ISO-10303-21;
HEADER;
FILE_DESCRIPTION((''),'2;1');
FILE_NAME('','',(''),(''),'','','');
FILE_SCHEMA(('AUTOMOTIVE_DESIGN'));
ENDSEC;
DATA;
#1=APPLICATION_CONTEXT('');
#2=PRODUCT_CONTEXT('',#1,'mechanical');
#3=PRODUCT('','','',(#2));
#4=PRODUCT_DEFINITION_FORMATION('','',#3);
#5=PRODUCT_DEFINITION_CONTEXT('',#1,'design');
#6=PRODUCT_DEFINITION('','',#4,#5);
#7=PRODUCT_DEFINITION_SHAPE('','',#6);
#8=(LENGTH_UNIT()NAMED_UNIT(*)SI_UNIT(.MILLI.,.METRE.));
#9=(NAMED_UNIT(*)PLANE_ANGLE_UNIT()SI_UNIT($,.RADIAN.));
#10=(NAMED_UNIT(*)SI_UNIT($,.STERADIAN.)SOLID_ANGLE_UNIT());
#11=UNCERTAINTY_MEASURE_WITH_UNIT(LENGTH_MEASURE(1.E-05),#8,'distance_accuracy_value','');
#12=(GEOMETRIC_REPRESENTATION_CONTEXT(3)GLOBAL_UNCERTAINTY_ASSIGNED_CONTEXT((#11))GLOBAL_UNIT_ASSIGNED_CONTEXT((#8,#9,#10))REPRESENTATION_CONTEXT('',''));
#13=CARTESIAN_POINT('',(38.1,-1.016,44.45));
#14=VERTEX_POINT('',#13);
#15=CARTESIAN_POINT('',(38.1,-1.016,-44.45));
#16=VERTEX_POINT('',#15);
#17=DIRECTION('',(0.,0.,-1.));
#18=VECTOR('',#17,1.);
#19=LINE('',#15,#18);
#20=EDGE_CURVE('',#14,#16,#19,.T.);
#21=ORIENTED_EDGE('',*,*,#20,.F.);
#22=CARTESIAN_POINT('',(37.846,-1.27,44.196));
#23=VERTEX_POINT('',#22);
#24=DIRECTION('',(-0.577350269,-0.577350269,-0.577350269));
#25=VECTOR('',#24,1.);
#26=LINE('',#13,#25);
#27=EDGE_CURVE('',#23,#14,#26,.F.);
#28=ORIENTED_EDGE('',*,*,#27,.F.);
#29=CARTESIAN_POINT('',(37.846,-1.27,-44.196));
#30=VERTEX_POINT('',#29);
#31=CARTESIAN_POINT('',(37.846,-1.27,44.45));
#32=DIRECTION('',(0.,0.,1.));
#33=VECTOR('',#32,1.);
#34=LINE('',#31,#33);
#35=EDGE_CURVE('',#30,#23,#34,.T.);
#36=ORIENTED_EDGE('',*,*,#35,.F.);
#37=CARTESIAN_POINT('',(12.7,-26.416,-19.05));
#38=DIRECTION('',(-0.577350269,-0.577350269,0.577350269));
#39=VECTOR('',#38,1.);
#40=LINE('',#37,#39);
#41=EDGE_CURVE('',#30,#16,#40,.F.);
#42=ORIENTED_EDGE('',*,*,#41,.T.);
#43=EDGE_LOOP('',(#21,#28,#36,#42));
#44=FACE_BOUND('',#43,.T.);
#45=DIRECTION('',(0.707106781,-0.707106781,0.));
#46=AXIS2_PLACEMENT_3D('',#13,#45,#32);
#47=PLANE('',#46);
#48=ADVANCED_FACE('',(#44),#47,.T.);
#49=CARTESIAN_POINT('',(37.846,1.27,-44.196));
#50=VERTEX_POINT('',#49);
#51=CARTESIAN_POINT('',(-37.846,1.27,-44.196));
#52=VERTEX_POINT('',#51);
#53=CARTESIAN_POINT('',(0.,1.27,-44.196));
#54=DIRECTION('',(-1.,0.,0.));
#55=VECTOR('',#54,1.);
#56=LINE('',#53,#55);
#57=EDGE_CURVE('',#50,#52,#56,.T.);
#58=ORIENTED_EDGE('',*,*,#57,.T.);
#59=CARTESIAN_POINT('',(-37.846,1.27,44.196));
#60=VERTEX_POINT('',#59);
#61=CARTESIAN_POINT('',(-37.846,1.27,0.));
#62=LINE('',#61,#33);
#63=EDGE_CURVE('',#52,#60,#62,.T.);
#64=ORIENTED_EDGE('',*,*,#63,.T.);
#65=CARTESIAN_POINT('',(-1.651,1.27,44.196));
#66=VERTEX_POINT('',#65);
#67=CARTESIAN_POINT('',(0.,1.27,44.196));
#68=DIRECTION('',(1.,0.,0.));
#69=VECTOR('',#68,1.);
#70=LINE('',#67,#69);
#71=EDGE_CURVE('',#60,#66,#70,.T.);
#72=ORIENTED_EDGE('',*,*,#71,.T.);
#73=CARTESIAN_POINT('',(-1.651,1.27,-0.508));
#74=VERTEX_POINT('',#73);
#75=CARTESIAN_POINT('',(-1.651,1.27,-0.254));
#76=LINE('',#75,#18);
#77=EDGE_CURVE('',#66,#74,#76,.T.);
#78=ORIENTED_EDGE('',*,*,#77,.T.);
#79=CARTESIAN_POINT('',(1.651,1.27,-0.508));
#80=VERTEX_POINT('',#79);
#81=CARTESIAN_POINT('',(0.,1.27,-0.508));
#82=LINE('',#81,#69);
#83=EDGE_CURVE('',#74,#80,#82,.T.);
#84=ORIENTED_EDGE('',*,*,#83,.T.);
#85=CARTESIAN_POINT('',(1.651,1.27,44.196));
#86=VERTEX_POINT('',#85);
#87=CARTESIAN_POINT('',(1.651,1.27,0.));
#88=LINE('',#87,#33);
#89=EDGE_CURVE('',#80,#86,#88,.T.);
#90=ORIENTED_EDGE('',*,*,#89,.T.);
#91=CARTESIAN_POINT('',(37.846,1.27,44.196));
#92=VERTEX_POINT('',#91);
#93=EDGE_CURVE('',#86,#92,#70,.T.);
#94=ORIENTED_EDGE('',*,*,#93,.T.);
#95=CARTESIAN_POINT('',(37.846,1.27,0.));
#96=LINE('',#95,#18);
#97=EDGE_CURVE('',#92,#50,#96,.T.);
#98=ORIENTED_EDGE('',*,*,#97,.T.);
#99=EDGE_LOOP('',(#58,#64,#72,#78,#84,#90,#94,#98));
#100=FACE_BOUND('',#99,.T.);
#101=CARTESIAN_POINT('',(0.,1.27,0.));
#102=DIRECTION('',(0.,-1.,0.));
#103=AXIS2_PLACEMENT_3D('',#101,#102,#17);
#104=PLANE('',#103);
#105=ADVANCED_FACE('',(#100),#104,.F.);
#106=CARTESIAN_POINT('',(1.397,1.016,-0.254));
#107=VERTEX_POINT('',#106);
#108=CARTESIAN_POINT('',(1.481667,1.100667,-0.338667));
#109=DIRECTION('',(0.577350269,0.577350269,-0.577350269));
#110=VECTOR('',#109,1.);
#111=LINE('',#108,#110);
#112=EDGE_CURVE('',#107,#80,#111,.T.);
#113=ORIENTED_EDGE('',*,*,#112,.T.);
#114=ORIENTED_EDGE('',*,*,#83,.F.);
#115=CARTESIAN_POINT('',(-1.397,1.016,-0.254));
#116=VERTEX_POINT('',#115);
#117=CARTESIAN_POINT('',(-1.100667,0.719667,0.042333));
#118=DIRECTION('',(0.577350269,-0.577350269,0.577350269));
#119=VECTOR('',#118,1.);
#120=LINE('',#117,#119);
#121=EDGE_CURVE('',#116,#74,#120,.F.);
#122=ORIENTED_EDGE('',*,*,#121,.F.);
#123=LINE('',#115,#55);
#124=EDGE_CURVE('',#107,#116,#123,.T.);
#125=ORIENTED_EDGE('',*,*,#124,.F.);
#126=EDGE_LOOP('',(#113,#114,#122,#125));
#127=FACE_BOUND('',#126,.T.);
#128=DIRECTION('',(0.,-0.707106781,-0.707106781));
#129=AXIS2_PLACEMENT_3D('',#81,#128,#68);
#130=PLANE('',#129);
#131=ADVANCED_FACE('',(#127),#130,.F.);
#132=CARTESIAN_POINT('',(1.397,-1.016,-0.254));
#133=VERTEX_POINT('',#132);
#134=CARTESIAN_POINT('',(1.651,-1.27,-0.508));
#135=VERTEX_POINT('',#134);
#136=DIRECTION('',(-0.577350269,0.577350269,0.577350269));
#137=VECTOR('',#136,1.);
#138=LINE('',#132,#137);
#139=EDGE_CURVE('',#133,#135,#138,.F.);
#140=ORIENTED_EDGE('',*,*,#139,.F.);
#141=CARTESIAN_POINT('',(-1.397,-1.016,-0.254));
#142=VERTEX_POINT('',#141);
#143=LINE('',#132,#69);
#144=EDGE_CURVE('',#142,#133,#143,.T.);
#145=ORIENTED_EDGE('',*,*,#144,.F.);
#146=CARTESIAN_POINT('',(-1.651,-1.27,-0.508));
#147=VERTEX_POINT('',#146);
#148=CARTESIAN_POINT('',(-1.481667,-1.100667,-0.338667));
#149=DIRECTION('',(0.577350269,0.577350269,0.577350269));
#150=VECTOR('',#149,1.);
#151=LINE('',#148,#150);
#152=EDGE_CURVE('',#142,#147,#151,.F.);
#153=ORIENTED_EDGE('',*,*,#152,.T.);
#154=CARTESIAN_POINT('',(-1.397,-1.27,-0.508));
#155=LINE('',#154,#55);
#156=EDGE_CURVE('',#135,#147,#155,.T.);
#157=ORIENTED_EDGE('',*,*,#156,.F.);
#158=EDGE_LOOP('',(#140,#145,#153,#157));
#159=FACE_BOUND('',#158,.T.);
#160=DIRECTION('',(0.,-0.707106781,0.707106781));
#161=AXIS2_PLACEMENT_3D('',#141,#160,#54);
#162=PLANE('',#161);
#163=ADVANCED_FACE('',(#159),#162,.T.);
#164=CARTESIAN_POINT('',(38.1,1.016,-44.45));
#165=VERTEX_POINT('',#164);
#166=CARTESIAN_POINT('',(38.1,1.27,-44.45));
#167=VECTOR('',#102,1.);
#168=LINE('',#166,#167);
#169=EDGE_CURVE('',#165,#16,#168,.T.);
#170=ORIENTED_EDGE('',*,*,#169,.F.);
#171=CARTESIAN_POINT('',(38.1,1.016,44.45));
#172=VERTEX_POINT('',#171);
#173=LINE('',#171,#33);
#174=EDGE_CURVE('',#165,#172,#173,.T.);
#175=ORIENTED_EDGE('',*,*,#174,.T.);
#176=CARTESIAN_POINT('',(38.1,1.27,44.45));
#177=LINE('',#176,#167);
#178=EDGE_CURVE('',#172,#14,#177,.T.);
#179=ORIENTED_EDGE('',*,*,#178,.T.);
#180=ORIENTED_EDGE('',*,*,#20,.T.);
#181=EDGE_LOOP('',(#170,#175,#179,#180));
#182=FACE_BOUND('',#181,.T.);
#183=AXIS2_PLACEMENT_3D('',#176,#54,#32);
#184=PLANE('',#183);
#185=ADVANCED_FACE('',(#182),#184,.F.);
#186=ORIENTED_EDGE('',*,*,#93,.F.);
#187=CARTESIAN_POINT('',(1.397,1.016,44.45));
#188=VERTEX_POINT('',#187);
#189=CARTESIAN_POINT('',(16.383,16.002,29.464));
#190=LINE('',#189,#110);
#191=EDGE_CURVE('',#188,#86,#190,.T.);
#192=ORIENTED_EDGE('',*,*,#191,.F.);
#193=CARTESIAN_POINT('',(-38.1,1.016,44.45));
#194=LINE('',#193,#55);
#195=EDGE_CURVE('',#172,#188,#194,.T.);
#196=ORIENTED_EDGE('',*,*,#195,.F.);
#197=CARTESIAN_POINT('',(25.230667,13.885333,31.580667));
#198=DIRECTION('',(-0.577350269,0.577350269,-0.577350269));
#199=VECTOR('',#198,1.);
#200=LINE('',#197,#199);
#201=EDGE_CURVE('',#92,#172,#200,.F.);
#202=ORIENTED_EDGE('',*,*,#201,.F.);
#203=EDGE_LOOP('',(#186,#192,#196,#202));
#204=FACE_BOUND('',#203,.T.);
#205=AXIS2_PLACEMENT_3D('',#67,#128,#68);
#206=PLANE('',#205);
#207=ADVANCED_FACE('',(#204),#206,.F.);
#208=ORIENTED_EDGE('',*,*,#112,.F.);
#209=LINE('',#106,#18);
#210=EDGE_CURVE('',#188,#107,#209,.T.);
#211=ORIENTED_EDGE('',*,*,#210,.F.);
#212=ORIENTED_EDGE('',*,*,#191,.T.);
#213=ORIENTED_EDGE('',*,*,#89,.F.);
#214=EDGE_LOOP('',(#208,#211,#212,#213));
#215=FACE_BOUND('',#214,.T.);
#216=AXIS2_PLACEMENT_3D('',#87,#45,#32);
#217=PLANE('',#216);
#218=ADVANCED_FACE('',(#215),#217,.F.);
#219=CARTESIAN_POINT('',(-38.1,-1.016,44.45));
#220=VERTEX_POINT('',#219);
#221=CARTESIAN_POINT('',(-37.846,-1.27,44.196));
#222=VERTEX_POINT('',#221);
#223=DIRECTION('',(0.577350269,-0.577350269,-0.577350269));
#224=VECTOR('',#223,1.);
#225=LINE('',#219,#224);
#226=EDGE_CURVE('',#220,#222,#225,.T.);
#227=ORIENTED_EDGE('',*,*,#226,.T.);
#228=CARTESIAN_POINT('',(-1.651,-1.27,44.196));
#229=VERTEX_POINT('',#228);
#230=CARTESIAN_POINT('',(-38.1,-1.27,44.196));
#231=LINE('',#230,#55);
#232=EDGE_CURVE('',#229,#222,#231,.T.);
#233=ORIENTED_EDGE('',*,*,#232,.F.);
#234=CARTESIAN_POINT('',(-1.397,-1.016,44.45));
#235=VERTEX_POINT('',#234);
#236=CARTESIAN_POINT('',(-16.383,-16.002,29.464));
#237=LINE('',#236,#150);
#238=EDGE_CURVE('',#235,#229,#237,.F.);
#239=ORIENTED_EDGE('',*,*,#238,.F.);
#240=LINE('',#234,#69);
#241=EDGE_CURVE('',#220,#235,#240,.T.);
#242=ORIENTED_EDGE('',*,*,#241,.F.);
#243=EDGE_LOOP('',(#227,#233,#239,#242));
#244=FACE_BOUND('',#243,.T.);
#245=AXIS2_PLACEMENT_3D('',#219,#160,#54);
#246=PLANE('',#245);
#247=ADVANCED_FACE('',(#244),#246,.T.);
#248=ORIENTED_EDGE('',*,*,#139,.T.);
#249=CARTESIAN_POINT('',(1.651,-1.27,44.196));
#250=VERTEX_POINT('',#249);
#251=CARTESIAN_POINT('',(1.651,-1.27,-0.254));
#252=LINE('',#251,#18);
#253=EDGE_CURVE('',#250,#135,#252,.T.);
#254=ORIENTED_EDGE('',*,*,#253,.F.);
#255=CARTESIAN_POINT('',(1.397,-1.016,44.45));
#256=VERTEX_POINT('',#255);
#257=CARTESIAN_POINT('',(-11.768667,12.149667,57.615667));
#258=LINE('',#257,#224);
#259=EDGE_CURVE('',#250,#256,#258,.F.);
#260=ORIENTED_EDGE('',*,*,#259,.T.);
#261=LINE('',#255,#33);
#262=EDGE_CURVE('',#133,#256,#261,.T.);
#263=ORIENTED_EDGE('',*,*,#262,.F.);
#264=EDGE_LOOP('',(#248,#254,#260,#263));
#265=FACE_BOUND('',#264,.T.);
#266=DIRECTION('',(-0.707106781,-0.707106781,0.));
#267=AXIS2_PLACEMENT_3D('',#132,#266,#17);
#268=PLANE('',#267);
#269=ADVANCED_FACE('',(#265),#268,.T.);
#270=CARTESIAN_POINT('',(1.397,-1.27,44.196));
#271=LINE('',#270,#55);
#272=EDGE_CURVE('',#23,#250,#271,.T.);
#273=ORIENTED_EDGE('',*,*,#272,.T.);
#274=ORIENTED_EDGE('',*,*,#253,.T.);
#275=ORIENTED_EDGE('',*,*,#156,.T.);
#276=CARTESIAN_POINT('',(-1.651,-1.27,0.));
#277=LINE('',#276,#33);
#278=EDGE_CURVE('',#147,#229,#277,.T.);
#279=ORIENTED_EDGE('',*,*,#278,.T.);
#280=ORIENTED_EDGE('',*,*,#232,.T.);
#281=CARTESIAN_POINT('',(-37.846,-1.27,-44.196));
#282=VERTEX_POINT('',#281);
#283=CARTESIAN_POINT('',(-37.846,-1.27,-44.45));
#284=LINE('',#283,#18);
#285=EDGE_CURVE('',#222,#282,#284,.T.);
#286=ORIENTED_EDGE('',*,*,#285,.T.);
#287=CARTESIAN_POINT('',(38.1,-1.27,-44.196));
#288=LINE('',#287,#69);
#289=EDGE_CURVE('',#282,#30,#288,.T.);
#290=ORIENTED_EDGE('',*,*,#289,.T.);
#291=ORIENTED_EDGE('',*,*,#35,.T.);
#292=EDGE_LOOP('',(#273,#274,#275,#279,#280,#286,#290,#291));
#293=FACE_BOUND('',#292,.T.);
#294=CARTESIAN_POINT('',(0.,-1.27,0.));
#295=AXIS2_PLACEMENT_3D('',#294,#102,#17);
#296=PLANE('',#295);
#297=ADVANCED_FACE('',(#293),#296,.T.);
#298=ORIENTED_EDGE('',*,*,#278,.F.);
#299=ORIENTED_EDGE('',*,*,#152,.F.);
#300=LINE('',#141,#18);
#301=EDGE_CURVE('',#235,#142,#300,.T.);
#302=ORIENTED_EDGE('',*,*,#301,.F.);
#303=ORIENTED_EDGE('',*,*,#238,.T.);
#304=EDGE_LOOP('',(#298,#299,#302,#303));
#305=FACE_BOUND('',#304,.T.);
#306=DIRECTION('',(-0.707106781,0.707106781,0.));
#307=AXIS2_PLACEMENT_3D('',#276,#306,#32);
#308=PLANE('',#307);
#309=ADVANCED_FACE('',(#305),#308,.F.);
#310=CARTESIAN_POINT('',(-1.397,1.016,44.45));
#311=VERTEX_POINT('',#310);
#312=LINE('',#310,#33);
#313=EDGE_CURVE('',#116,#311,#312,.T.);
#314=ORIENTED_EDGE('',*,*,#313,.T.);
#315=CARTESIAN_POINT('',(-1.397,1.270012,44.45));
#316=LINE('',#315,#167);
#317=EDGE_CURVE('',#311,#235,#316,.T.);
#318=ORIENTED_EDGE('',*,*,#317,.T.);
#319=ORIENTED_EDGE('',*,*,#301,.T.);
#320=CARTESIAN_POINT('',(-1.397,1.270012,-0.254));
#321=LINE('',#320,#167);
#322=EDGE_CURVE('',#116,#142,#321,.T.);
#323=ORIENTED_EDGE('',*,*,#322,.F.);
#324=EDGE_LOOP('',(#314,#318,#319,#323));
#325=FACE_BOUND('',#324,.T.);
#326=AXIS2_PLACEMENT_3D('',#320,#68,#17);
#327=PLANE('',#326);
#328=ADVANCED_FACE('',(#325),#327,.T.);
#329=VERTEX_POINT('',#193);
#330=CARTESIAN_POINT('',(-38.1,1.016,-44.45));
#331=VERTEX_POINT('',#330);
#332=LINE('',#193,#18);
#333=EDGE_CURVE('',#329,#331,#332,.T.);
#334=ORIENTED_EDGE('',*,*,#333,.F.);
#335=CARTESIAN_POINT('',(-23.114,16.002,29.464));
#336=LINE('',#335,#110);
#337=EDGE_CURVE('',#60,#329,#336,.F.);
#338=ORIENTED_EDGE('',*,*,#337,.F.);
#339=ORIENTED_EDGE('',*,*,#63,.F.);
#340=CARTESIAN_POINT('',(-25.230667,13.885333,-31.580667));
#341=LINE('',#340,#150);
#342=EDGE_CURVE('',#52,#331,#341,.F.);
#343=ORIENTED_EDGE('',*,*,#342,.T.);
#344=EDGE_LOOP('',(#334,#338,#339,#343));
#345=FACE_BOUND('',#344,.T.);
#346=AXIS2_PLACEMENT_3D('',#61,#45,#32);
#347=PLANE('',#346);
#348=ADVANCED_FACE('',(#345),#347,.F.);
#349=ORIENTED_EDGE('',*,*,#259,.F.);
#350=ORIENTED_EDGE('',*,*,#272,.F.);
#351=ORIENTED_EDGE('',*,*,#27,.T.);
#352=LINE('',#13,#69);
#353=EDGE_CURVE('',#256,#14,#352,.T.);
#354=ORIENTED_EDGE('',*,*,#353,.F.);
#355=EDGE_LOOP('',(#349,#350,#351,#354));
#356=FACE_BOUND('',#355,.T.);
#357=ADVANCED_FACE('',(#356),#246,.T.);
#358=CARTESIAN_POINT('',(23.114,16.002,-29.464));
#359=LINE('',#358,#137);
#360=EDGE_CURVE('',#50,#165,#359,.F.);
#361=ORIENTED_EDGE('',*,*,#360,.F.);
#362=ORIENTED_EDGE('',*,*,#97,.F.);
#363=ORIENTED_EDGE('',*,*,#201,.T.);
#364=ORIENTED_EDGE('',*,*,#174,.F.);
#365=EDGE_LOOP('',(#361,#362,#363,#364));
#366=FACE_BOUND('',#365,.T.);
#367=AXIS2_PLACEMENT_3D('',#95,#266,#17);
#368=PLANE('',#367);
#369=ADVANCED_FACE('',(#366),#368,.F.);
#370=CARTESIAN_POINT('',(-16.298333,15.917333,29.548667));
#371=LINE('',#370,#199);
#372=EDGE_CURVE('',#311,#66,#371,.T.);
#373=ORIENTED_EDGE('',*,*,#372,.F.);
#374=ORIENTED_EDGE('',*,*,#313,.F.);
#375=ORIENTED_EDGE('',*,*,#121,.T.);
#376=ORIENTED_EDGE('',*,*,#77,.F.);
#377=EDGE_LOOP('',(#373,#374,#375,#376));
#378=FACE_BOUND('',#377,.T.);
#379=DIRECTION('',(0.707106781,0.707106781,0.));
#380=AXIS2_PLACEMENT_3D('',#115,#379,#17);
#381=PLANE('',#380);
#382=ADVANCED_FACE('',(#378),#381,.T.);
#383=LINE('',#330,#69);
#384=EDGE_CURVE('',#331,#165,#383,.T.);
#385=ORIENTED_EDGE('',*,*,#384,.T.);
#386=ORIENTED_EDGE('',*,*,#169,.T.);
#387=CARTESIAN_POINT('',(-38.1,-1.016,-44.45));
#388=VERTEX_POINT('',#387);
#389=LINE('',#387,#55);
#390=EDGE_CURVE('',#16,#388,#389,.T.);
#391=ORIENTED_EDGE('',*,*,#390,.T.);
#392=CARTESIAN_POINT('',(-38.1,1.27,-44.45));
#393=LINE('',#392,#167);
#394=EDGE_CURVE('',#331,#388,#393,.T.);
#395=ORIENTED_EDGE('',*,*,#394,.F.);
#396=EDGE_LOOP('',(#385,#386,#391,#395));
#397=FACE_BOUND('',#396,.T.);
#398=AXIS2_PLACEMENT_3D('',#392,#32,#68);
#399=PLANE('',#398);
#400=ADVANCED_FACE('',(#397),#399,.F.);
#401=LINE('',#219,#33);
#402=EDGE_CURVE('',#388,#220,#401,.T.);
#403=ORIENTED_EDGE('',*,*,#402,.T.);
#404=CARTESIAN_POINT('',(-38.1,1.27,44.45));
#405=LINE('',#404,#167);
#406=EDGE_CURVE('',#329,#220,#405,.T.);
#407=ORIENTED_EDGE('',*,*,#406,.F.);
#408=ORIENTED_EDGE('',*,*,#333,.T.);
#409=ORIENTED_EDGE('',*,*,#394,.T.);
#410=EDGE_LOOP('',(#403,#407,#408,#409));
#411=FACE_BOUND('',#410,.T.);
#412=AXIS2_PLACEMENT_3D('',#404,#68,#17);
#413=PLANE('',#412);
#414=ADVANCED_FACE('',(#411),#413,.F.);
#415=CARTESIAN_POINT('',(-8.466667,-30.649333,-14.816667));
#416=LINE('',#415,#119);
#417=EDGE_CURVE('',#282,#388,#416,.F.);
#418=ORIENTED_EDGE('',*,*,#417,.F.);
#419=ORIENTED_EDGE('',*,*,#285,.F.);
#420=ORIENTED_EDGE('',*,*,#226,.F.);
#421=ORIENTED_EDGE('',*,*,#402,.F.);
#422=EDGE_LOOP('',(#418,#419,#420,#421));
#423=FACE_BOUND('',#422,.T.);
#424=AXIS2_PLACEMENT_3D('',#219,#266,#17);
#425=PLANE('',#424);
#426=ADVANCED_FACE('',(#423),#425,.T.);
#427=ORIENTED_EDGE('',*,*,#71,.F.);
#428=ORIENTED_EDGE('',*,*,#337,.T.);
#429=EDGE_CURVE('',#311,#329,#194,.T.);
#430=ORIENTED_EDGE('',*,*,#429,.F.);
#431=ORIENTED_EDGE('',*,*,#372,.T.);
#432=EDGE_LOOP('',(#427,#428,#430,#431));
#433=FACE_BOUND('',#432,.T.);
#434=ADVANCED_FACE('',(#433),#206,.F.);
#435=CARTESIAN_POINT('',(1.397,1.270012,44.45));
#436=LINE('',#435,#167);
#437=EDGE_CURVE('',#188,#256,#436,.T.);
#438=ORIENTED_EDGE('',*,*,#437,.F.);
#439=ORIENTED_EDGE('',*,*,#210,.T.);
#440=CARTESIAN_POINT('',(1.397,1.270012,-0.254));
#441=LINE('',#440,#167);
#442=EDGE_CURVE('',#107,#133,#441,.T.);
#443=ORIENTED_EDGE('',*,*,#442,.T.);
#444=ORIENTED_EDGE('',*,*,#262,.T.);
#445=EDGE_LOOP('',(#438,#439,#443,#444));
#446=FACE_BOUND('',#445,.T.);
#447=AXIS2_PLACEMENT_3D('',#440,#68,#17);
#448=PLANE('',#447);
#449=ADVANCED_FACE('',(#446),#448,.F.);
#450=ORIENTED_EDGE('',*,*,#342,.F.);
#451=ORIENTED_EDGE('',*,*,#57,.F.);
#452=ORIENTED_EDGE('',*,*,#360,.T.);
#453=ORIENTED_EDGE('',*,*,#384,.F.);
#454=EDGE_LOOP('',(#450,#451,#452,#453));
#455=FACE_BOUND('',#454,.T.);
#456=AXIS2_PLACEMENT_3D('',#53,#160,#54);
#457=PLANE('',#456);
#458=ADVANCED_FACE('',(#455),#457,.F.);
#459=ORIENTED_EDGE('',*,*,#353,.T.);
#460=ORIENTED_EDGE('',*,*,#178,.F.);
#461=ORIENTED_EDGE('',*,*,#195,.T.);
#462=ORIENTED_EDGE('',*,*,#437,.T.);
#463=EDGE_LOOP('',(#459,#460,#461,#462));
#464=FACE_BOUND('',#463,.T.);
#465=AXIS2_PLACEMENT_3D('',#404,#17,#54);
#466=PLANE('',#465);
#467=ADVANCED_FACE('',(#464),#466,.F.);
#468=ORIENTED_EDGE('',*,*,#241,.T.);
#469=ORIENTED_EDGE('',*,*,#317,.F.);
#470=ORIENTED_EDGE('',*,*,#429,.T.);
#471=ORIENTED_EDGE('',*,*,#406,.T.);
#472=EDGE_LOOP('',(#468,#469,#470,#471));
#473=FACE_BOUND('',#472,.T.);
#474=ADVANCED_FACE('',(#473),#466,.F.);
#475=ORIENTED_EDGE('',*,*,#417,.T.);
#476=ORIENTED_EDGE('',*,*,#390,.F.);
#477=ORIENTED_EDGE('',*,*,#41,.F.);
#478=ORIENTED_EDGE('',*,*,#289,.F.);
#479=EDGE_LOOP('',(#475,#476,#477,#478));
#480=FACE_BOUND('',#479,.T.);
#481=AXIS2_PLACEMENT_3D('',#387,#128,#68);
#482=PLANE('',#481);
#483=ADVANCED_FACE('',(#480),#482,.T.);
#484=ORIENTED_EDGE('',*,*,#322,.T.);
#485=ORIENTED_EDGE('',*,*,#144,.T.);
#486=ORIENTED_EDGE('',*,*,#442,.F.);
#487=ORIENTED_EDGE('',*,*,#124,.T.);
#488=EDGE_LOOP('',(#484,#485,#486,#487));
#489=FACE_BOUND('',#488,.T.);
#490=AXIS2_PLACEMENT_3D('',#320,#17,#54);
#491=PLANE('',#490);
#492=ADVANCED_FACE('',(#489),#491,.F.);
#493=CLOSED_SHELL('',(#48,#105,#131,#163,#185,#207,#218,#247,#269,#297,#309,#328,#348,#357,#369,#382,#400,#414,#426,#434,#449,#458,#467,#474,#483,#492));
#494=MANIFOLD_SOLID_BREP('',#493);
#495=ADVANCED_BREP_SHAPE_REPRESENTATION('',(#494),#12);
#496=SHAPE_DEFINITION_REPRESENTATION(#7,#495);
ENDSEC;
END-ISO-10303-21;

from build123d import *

# Parameters (mm, degrees)
SKETCH1_W                    = 76.2
SKETCH1_H                    = 88.9
BOSS_EXTRUDE1_DEPTH          = 1.27
CUT_EXTRUDE_THIN1_DEPTH      = 59.599181735
CUT_EXTRUDE_THIN1_DEPTH_BACK = 2.794
SKETCH3_W                    = 2.794
SKETCH3_H                    = 44.704
CHAMFER1_SIZE                = 0.254


with BuildPart() as part:
    # Sketch1 → Boss-Extrude1 (new, symmetric)
    with BuildSketch(Plane(origin=(0, 0, 0), x_dir=(1, 0, 0), z_dir=(0, 1, 0))):
        Rectangle(SKETCH1_W, SKETCH1_H)
    extrude(amount=BOSS_EXTRUDE1_DEPTH, both=True)

    # Sketch3 → Cut-Extrude-Thin1 (cut, two sides: drawn at the far end of the back side and taken through both)
    with BuildSketch(Plane(origin=(0, 1.27, 0), x_dir=(1, 0, 0), z_dir=(0, 1, 0)).offset(-CUT_EXTRUDE_THIN1_DEPTH_BACK)):
        with Locations((0, -22.098)):
            Rectangle(SKETCH3_W, SKETCH3_H)
    extrude(amount=CUT_EXTRUDE_THIN1_DEPTH + CUT_EXTRUDE_THIN1_DEPTH_BACK, mode=Mode.SUBTRACT)

    # Chamfer1
    chamfer1_edges = [part.edges().sort_by_distance(p)[0] for p in [
        (38.1, 1.27, 0),
        (19.7485, -1.27, 44.45),
        (0, -1.27, -0.254),
        (1.397, -1.27, 22.098),
        (-1.397, -1.27, 22.098),
        (0, 1.27, -44.45),
        (19.7485, 1.27, 44.45),
        (1.397, 1.27, 22.098),
        (0, 1.27, -0.254),
        (-1.397, 1.27, 22.098),
        (-38.1, 1.27, 0),
        (0, -1.27, -44.45),
        (38.1, -1.27, 0),
        (-19.7485, -1.27, 44.45),
        (-38.1, -1.27, 0),
        (-19.7485, 1.27, 44.45),
    ]]
    chamfer(chamfer1_edges, length=CHAMFER1_SIZE)


solid = part.part
